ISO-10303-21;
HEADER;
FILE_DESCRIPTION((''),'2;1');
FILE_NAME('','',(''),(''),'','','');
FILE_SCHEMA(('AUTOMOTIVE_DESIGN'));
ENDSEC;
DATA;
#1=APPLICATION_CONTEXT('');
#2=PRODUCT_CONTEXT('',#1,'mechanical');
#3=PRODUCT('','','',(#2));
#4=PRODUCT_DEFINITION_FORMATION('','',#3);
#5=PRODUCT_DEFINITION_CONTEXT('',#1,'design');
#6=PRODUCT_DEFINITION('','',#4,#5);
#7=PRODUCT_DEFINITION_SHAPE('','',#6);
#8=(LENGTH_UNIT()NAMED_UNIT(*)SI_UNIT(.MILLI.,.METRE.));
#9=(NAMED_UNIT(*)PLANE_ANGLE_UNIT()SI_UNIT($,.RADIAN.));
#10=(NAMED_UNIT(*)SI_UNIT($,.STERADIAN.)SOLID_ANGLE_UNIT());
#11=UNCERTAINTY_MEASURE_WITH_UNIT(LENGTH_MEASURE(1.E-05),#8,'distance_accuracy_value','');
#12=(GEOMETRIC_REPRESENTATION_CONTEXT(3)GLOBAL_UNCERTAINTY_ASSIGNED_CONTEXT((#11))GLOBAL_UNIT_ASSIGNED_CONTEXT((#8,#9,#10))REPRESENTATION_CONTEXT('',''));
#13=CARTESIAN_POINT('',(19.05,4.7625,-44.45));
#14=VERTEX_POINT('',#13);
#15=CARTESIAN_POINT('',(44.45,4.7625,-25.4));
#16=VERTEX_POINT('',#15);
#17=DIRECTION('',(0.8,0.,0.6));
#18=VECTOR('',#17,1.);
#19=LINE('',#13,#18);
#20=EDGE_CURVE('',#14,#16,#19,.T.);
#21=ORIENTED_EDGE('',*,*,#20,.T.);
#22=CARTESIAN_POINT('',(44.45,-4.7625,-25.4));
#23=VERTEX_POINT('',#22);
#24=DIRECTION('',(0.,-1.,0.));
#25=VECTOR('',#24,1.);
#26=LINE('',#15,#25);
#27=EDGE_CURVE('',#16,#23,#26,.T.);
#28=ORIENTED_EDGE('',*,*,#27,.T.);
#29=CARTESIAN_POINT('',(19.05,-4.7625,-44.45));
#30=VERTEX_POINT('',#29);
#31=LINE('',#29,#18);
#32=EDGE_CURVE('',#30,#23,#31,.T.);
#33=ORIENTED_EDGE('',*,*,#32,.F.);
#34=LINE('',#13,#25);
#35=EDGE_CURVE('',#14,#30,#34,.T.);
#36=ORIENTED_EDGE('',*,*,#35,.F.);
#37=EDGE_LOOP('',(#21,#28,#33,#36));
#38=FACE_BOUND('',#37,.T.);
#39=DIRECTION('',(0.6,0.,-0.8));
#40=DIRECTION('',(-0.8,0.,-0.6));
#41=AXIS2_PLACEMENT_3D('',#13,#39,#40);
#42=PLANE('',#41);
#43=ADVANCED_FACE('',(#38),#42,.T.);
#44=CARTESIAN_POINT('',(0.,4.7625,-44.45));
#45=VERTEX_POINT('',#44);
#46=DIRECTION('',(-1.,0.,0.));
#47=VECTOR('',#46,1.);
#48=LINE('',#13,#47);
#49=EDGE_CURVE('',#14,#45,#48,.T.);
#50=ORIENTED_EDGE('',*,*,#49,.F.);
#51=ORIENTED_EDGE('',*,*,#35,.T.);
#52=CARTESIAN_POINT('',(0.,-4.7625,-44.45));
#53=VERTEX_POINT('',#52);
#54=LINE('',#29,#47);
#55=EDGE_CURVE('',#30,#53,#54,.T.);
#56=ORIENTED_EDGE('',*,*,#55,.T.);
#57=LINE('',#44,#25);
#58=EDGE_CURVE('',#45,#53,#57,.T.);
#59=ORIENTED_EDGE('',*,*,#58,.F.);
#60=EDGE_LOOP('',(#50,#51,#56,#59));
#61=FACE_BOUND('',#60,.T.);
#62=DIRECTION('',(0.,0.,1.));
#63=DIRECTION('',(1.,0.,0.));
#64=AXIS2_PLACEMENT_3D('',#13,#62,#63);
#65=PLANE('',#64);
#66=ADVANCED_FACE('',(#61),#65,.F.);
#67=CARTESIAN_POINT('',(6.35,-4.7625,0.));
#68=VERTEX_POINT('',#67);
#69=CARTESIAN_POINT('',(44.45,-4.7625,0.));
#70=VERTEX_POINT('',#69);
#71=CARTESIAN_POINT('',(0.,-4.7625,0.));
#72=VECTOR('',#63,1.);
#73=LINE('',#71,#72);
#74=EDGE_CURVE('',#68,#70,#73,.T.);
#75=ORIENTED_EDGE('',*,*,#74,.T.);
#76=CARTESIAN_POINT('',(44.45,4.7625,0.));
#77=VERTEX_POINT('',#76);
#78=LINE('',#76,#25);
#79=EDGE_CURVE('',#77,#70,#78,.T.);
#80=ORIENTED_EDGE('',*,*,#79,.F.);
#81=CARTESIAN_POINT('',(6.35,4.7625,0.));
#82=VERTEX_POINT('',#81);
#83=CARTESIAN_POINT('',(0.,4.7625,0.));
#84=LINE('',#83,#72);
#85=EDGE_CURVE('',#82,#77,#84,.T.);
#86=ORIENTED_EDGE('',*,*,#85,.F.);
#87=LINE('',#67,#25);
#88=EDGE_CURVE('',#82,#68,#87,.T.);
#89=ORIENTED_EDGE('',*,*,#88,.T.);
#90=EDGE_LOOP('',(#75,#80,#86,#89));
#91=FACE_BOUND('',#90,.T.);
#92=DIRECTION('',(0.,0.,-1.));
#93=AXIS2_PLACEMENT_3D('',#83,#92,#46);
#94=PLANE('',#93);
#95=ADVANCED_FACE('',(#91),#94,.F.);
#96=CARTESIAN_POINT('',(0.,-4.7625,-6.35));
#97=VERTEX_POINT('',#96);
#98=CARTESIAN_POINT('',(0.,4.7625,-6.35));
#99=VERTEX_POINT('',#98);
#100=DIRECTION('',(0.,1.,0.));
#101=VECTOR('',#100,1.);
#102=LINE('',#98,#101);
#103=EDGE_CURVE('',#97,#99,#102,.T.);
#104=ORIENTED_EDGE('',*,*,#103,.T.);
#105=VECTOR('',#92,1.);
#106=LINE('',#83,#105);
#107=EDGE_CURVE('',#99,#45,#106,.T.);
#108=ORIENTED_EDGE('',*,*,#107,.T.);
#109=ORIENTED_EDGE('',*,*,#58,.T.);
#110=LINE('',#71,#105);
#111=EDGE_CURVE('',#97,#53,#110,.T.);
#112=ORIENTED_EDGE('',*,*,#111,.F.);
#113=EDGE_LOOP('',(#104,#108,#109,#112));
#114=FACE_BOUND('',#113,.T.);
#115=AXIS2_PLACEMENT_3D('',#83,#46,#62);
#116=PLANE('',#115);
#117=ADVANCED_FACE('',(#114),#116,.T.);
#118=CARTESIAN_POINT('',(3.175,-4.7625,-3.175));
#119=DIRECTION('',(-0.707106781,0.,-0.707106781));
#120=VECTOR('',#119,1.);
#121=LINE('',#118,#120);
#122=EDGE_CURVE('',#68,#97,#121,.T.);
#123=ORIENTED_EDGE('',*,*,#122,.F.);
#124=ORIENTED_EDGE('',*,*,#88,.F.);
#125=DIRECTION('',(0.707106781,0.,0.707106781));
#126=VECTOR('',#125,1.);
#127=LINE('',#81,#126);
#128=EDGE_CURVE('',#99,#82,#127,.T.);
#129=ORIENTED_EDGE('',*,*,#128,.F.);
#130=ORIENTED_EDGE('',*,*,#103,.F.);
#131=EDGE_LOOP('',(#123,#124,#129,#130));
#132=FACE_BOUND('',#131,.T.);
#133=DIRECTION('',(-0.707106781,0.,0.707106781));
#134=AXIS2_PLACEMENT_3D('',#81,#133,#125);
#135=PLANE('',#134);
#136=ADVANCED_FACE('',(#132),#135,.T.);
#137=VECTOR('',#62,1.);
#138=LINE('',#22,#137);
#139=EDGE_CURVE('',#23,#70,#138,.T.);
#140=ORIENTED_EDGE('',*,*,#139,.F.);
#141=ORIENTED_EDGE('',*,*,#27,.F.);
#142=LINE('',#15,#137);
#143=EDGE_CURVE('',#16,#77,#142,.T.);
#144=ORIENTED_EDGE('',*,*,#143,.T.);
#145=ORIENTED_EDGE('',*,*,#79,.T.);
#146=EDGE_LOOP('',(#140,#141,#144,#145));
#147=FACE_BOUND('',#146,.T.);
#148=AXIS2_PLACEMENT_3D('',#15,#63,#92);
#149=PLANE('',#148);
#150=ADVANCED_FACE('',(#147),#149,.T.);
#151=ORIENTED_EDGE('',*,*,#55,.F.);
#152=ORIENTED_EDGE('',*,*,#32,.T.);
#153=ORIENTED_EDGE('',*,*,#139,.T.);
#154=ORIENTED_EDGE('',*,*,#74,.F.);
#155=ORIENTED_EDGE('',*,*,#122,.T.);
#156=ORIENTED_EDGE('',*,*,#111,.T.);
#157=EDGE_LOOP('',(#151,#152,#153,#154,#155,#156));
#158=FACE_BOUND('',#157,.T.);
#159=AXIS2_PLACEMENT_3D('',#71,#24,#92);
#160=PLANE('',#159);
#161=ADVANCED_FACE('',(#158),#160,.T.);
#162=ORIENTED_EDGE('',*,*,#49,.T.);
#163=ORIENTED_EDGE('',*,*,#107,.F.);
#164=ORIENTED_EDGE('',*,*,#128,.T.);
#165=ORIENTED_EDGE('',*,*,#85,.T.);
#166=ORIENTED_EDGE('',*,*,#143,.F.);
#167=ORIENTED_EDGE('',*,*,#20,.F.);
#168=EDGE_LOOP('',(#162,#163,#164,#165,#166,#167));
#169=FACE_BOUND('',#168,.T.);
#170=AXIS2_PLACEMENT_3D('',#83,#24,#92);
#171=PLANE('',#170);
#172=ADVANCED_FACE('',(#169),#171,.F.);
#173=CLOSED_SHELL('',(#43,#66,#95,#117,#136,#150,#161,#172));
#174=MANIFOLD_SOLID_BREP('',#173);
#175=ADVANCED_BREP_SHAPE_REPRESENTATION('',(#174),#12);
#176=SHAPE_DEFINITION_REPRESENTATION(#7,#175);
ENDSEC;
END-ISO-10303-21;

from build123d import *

# Parameters (mm, degrees)
BASE_EXTRUDE_DEPTH = 4.7625
CHAMFER1_SIZE      = 6.35


with BuildPart() as part:
    # Sketch1 → Base-Extrude (new body, symmetric)
    with BuildSketch(Plane(origin=(0, 0, 0), x_dir=(1, 0, 0), z_dir=(0, 1, 0))):
        Polygon((0, 0), (44.45, 0), (44.45, 25.4), (19.05, 44.45), (0, 44.45), align=None)
    extrude(amount=BASE_EXTRUDE_DEPTH, both=True)

    # Chamfer1
    chamfer1_edges = [part.edges().sort_by_distance(p)[0] for p in [
        (0, 0, 0),
    ]]
    chamfer(chamfer1_edges, length=CHAMFER1_SIZE)


solid = part.part
